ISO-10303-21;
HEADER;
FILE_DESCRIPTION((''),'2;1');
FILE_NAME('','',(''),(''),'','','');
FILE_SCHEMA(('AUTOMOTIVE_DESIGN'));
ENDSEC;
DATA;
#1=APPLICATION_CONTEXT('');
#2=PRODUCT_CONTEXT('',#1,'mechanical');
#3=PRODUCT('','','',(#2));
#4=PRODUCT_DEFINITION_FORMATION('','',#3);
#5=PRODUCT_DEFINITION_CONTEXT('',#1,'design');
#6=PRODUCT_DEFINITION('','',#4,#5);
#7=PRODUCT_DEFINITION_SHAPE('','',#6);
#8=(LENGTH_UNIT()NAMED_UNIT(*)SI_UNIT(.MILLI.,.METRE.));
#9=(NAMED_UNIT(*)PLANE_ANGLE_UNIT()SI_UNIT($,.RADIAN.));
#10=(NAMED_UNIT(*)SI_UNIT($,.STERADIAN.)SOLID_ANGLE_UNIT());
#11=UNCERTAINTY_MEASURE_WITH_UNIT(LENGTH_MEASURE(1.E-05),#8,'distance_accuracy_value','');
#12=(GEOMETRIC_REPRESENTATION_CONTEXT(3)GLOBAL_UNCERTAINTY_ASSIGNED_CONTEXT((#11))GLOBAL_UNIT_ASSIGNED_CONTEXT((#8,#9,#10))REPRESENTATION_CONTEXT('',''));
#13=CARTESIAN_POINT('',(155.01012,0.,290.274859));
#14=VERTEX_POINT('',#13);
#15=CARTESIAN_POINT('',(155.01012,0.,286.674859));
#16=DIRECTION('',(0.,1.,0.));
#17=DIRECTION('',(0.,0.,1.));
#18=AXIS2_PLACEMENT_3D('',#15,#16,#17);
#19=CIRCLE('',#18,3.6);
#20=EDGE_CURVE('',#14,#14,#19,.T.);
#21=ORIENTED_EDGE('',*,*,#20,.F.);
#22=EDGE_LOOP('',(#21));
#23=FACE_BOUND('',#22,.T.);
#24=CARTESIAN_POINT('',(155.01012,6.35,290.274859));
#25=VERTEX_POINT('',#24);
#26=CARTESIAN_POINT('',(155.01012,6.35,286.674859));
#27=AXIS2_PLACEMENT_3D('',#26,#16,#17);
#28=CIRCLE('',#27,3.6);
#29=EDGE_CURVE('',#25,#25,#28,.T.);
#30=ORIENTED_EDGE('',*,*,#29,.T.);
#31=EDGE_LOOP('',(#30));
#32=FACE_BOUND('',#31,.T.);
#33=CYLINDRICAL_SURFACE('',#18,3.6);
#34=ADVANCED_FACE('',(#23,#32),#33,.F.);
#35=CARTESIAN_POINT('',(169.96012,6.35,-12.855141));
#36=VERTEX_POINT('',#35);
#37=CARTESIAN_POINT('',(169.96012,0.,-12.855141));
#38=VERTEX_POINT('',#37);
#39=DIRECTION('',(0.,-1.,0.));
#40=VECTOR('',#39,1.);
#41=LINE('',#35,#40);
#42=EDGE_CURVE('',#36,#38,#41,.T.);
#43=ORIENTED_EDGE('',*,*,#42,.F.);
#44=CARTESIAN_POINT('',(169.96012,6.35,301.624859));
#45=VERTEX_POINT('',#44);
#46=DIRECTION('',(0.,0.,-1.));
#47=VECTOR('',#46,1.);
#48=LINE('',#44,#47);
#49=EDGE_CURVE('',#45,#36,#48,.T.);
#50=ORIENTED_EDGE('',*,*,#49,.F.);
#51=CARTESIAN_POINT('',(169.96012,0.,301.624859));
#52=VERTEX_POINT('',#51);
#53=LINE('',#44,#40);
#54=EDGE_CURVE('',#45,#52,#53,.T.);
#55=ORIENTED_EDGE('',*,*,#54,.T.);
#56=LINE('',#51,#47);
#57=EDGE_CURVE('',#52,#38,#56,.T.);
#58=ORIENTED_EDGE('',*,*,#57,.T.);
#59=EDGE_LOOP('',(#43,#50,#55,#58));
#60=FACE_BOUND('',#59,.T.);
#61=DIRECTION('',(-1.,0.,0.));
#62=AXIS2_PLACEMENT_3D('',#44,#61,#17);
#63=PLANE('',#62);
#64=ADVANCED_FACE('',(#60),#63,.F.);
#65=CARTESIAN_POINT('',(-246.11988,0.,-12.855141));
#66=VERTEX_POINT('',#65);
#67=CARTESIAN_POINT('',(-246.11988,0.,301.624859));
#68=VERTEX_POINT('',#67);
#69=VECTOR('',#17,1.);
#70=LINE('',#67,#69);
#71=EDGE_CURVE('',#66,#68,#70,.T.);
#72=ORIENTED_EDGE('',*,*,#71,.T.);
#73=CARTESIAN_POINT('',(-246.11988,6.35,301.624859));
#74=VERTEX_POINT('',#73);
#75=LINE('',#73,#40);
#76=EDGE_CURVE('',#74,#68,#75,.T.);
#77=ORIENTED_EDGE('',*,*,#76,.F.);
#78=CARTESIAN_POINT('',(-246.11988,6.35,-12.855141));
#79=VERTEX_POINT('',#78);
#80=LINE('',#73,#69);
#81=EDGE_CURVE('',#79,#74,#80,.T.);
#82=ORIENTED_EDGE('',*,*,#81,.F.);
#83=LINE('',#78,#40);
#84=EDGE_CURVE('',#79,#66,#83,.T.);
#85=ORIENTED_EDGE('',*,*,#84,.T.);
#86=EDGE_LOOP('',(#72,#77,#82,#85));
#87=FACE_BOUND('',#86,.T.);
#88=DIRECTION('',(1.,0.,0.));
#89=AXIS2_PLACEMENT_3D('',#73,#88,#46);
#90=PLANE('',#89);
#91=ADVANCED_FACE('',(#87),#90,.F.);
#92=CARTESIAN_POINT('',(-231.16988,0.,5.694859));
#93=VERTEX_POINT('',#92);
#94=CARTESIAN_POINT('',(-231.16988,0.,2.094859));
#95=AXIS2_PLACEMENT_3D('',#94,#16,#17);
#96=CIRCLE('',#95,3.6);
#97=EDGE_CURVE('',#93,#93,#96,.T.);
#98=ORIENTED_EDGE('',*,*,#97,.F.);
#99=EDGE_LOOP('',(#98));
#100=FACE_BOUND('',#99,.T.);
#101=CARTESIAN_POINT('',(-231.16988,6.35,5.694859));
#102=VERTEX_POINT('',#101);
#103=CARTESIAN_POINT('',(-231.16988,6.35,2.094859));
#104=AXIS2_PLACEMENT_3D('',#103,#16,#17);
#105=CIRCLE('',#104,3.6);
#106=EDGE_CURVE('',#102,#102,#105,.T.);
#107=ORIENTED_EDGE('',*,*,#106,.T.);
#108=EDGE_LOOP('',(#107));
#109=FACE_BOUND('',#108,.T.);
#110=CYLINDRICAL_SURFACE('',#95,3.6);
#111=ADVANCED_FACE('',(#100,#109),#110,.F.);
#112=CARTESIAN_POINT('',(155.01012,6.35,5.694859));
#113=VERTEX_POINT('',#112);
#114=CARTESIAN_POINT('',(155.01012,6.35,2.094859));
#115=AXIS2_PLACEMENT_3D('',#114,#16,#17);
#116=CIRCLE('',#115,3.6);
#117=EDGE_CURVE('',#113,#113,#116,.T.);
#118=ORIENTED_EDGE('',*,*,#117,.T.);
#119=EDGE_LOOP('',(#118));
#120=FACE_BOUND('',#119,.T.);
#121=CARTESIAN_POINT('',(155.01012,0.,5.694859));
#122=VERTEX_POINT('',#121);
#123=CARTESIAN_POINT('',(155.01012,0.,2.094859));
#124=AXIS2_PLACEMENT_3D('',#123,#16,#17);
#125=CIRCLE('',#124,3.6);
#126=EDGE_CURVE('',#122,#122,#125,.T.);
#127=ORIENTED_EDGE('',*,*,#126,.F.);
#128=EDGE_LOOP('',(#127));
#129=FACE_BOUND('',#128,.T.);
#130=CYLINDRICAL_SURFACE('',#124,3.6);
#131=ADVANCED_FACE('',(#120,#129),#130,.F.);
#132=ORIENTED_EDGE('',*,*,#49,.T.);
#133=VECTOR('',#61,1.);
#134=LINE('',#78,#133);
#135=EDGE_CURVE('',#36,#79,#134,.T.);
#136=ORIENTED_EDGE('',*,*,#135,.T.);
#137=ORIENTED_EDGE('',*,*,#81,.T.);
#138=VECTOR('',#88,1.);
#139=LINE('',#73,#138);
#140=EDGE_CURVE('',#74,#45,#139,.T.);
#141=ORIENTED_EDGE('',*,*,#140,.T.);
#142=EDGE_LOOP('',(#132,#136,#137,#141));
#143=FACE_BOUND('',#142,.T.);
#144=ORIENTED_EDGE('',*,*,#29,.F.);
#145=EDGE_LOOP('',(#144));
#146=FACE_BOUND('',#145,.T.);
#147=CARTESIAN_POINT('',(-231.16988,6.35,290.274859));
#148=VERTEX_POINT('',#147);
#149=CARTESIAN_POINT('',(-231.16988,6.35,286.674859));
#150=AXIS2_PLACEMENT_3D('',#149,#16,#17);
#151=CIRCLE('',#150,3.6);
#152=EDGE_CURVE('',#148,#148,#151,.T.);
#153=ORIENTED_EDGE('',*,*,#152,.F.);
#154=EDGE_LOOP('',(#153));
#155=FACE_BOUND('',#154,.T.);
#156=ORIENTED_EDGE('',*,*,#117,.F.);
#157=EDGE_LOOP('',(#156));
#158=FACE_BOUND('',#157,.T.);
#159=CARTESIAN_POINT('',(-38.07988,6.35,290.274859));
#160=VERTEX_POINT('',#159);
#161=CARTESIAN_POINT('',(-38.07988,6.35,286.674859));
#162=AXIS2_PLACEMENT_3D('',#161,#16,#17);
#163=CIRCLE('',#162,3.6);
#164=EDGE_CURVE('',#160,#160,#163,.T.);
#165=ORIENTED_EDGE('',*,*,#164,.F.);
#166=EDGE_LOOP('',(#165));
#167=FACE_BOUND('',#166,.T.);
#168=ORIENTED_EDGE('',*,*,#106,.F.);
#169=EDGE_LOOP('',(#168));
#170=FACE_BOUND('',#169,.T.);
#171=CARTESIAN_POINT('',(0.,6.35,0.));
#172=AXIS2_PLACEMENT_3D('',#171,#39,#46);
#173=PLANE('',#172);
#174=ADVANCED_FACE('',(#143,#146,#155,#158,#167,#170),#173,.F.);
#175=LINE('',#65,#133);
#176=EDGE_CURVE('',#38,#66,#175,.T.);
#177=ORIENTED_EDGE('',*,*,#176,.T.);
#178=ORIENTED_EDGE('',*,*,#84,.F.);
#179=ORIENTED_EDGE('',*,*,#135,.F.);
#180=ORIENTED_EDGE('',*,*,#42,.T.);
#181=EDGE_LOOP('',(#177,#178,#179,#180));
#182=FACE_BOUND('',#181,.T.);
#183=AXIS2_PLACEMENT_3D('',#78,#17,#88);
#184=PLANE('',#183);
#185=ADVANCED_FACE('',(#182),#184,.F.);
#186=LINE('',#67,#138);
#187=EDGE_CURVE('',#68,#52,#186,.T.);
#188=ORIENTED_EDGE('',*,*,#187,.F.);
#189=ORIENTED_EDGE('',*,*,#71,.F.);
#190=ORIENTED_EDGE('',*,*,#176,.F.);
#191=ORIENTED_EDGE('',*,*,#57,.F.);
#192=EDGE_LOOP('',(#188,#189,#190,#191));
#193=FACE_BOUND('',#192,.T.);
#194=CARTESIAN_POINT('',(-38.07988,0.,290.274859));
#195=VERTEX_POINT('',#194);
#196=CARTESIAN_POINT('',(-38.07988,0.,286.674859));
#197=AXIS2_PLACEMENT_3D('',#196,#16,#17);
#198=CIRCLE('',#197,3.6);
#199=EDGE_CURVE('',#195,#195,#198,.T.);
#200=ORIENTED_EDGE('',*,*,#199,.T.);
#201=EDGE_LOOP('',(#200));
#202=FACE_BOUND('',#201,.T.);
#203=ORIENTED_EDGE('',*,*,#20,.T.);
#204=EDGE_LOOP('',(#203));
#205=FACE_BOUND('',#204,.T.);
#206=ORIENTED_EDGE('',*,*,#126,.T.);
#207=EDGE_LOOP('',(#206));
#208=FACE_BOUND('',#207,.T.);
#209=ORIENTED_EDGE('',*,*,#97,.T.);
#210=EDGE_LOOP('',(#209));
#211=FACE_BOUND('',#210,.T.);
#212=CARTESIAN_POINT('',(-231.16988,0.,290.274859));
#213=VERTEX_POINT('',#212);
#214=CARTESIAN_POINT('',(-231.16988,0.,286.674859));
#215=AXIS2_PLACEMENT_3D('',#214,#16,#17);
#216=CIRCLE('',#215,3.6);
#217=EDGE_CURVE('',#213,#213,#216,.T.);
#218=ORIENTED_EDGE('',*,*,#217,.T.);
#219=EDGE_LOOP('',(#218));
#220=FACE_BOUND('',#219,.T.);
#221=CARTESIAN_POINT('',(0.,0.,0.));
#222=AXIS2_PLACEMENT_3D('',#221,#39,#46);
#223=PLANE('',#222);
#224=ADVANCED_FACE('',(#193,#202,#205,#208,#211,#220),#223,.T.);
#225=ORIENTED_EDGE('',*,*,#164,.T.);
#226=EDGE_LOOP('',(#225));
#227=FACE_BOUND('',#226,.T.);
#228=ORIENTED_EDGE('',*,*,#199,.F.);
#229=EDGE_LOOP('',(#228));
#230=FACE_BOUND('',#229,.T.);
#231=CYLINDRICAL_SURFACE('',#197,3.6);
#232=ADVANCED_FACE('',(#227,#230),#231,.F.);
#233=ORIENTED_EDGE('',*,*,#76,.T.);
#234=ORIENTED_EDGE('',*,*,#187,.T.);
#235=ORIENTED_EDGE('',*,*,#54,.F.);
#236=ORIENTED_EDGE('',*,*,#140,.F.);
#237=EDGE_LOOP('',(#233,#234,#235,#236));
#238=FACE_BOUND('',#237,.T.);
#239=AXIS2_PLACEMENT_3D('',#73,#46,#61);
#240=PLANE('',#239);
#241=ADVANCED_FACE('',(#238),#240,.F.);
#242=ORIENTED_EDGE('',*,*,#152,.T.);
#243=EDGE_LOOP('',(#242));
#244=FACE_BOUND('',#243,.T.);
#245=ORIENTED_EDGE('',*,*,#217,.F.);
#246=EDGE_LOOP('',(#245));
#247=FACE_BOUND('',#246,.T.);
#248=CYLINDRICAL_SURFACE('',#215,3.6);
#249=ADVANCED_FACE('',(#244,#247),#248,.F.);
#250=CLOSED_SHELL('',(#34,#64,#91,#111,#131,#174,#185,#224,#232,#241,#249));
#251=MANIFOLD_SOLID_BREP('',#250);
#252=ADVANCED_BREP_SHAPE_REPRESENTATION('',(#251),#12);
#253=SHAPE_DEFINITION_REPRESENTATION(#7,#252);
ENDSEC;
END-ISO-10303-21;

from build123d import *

# Parameters (mm, degrees)
SKETCH1_W           = 416.08
SKETCH1_H           = 314.48
BOSS_EXTRUDE1_DEPTH = 6.35
SKETCH2_R           = 3.6
CUT_EXTRUDE1_DEPTH  = 7.35


with BuildPart() as part:
    # Sketch1 → Boss-Extrude1 (new body)
    with BuildSketch(Plane(origin=(0, 0, 0), x_dir=(1, 0, 0), z_dir=(0, 1, 0))):
        with Locations((-38.07987983, -144.384858514)):
            Rectangle(SKETCH1_W, SKETCH1_H)
    extrude(amount=BOSS_EXTRUDE1_DEPTH)

    # Sketch2 → Cut-Extrude1 (cut, through all)
    with BuildSketch(Plane(origin=(0, 6.35, 0), x_dir=(1, 0, 0), z_dir=(0, 1, 0))):
        with Locations((-231.16987983, -2.094858514)):
            Circle(SKETCH2_R)
        with Locations((155.01012017, -2.094858514)):
            Circle(SKETCH2_R)
        with Locations((155.01012017, -286.674858514)):
            Circle(SKETCH2_R)
        with Locations((-38.07987983, -286.674858514)):
            Circle(SKETCH2_R)
        with Locations((-231.16987983, -286.674858514)):
            Circle(SKETCH2_R)
    extrude(amount=-CUT_EXTRUDE1_DEPTH, mode=Mode.SUBTRACT)


solid = part.part
